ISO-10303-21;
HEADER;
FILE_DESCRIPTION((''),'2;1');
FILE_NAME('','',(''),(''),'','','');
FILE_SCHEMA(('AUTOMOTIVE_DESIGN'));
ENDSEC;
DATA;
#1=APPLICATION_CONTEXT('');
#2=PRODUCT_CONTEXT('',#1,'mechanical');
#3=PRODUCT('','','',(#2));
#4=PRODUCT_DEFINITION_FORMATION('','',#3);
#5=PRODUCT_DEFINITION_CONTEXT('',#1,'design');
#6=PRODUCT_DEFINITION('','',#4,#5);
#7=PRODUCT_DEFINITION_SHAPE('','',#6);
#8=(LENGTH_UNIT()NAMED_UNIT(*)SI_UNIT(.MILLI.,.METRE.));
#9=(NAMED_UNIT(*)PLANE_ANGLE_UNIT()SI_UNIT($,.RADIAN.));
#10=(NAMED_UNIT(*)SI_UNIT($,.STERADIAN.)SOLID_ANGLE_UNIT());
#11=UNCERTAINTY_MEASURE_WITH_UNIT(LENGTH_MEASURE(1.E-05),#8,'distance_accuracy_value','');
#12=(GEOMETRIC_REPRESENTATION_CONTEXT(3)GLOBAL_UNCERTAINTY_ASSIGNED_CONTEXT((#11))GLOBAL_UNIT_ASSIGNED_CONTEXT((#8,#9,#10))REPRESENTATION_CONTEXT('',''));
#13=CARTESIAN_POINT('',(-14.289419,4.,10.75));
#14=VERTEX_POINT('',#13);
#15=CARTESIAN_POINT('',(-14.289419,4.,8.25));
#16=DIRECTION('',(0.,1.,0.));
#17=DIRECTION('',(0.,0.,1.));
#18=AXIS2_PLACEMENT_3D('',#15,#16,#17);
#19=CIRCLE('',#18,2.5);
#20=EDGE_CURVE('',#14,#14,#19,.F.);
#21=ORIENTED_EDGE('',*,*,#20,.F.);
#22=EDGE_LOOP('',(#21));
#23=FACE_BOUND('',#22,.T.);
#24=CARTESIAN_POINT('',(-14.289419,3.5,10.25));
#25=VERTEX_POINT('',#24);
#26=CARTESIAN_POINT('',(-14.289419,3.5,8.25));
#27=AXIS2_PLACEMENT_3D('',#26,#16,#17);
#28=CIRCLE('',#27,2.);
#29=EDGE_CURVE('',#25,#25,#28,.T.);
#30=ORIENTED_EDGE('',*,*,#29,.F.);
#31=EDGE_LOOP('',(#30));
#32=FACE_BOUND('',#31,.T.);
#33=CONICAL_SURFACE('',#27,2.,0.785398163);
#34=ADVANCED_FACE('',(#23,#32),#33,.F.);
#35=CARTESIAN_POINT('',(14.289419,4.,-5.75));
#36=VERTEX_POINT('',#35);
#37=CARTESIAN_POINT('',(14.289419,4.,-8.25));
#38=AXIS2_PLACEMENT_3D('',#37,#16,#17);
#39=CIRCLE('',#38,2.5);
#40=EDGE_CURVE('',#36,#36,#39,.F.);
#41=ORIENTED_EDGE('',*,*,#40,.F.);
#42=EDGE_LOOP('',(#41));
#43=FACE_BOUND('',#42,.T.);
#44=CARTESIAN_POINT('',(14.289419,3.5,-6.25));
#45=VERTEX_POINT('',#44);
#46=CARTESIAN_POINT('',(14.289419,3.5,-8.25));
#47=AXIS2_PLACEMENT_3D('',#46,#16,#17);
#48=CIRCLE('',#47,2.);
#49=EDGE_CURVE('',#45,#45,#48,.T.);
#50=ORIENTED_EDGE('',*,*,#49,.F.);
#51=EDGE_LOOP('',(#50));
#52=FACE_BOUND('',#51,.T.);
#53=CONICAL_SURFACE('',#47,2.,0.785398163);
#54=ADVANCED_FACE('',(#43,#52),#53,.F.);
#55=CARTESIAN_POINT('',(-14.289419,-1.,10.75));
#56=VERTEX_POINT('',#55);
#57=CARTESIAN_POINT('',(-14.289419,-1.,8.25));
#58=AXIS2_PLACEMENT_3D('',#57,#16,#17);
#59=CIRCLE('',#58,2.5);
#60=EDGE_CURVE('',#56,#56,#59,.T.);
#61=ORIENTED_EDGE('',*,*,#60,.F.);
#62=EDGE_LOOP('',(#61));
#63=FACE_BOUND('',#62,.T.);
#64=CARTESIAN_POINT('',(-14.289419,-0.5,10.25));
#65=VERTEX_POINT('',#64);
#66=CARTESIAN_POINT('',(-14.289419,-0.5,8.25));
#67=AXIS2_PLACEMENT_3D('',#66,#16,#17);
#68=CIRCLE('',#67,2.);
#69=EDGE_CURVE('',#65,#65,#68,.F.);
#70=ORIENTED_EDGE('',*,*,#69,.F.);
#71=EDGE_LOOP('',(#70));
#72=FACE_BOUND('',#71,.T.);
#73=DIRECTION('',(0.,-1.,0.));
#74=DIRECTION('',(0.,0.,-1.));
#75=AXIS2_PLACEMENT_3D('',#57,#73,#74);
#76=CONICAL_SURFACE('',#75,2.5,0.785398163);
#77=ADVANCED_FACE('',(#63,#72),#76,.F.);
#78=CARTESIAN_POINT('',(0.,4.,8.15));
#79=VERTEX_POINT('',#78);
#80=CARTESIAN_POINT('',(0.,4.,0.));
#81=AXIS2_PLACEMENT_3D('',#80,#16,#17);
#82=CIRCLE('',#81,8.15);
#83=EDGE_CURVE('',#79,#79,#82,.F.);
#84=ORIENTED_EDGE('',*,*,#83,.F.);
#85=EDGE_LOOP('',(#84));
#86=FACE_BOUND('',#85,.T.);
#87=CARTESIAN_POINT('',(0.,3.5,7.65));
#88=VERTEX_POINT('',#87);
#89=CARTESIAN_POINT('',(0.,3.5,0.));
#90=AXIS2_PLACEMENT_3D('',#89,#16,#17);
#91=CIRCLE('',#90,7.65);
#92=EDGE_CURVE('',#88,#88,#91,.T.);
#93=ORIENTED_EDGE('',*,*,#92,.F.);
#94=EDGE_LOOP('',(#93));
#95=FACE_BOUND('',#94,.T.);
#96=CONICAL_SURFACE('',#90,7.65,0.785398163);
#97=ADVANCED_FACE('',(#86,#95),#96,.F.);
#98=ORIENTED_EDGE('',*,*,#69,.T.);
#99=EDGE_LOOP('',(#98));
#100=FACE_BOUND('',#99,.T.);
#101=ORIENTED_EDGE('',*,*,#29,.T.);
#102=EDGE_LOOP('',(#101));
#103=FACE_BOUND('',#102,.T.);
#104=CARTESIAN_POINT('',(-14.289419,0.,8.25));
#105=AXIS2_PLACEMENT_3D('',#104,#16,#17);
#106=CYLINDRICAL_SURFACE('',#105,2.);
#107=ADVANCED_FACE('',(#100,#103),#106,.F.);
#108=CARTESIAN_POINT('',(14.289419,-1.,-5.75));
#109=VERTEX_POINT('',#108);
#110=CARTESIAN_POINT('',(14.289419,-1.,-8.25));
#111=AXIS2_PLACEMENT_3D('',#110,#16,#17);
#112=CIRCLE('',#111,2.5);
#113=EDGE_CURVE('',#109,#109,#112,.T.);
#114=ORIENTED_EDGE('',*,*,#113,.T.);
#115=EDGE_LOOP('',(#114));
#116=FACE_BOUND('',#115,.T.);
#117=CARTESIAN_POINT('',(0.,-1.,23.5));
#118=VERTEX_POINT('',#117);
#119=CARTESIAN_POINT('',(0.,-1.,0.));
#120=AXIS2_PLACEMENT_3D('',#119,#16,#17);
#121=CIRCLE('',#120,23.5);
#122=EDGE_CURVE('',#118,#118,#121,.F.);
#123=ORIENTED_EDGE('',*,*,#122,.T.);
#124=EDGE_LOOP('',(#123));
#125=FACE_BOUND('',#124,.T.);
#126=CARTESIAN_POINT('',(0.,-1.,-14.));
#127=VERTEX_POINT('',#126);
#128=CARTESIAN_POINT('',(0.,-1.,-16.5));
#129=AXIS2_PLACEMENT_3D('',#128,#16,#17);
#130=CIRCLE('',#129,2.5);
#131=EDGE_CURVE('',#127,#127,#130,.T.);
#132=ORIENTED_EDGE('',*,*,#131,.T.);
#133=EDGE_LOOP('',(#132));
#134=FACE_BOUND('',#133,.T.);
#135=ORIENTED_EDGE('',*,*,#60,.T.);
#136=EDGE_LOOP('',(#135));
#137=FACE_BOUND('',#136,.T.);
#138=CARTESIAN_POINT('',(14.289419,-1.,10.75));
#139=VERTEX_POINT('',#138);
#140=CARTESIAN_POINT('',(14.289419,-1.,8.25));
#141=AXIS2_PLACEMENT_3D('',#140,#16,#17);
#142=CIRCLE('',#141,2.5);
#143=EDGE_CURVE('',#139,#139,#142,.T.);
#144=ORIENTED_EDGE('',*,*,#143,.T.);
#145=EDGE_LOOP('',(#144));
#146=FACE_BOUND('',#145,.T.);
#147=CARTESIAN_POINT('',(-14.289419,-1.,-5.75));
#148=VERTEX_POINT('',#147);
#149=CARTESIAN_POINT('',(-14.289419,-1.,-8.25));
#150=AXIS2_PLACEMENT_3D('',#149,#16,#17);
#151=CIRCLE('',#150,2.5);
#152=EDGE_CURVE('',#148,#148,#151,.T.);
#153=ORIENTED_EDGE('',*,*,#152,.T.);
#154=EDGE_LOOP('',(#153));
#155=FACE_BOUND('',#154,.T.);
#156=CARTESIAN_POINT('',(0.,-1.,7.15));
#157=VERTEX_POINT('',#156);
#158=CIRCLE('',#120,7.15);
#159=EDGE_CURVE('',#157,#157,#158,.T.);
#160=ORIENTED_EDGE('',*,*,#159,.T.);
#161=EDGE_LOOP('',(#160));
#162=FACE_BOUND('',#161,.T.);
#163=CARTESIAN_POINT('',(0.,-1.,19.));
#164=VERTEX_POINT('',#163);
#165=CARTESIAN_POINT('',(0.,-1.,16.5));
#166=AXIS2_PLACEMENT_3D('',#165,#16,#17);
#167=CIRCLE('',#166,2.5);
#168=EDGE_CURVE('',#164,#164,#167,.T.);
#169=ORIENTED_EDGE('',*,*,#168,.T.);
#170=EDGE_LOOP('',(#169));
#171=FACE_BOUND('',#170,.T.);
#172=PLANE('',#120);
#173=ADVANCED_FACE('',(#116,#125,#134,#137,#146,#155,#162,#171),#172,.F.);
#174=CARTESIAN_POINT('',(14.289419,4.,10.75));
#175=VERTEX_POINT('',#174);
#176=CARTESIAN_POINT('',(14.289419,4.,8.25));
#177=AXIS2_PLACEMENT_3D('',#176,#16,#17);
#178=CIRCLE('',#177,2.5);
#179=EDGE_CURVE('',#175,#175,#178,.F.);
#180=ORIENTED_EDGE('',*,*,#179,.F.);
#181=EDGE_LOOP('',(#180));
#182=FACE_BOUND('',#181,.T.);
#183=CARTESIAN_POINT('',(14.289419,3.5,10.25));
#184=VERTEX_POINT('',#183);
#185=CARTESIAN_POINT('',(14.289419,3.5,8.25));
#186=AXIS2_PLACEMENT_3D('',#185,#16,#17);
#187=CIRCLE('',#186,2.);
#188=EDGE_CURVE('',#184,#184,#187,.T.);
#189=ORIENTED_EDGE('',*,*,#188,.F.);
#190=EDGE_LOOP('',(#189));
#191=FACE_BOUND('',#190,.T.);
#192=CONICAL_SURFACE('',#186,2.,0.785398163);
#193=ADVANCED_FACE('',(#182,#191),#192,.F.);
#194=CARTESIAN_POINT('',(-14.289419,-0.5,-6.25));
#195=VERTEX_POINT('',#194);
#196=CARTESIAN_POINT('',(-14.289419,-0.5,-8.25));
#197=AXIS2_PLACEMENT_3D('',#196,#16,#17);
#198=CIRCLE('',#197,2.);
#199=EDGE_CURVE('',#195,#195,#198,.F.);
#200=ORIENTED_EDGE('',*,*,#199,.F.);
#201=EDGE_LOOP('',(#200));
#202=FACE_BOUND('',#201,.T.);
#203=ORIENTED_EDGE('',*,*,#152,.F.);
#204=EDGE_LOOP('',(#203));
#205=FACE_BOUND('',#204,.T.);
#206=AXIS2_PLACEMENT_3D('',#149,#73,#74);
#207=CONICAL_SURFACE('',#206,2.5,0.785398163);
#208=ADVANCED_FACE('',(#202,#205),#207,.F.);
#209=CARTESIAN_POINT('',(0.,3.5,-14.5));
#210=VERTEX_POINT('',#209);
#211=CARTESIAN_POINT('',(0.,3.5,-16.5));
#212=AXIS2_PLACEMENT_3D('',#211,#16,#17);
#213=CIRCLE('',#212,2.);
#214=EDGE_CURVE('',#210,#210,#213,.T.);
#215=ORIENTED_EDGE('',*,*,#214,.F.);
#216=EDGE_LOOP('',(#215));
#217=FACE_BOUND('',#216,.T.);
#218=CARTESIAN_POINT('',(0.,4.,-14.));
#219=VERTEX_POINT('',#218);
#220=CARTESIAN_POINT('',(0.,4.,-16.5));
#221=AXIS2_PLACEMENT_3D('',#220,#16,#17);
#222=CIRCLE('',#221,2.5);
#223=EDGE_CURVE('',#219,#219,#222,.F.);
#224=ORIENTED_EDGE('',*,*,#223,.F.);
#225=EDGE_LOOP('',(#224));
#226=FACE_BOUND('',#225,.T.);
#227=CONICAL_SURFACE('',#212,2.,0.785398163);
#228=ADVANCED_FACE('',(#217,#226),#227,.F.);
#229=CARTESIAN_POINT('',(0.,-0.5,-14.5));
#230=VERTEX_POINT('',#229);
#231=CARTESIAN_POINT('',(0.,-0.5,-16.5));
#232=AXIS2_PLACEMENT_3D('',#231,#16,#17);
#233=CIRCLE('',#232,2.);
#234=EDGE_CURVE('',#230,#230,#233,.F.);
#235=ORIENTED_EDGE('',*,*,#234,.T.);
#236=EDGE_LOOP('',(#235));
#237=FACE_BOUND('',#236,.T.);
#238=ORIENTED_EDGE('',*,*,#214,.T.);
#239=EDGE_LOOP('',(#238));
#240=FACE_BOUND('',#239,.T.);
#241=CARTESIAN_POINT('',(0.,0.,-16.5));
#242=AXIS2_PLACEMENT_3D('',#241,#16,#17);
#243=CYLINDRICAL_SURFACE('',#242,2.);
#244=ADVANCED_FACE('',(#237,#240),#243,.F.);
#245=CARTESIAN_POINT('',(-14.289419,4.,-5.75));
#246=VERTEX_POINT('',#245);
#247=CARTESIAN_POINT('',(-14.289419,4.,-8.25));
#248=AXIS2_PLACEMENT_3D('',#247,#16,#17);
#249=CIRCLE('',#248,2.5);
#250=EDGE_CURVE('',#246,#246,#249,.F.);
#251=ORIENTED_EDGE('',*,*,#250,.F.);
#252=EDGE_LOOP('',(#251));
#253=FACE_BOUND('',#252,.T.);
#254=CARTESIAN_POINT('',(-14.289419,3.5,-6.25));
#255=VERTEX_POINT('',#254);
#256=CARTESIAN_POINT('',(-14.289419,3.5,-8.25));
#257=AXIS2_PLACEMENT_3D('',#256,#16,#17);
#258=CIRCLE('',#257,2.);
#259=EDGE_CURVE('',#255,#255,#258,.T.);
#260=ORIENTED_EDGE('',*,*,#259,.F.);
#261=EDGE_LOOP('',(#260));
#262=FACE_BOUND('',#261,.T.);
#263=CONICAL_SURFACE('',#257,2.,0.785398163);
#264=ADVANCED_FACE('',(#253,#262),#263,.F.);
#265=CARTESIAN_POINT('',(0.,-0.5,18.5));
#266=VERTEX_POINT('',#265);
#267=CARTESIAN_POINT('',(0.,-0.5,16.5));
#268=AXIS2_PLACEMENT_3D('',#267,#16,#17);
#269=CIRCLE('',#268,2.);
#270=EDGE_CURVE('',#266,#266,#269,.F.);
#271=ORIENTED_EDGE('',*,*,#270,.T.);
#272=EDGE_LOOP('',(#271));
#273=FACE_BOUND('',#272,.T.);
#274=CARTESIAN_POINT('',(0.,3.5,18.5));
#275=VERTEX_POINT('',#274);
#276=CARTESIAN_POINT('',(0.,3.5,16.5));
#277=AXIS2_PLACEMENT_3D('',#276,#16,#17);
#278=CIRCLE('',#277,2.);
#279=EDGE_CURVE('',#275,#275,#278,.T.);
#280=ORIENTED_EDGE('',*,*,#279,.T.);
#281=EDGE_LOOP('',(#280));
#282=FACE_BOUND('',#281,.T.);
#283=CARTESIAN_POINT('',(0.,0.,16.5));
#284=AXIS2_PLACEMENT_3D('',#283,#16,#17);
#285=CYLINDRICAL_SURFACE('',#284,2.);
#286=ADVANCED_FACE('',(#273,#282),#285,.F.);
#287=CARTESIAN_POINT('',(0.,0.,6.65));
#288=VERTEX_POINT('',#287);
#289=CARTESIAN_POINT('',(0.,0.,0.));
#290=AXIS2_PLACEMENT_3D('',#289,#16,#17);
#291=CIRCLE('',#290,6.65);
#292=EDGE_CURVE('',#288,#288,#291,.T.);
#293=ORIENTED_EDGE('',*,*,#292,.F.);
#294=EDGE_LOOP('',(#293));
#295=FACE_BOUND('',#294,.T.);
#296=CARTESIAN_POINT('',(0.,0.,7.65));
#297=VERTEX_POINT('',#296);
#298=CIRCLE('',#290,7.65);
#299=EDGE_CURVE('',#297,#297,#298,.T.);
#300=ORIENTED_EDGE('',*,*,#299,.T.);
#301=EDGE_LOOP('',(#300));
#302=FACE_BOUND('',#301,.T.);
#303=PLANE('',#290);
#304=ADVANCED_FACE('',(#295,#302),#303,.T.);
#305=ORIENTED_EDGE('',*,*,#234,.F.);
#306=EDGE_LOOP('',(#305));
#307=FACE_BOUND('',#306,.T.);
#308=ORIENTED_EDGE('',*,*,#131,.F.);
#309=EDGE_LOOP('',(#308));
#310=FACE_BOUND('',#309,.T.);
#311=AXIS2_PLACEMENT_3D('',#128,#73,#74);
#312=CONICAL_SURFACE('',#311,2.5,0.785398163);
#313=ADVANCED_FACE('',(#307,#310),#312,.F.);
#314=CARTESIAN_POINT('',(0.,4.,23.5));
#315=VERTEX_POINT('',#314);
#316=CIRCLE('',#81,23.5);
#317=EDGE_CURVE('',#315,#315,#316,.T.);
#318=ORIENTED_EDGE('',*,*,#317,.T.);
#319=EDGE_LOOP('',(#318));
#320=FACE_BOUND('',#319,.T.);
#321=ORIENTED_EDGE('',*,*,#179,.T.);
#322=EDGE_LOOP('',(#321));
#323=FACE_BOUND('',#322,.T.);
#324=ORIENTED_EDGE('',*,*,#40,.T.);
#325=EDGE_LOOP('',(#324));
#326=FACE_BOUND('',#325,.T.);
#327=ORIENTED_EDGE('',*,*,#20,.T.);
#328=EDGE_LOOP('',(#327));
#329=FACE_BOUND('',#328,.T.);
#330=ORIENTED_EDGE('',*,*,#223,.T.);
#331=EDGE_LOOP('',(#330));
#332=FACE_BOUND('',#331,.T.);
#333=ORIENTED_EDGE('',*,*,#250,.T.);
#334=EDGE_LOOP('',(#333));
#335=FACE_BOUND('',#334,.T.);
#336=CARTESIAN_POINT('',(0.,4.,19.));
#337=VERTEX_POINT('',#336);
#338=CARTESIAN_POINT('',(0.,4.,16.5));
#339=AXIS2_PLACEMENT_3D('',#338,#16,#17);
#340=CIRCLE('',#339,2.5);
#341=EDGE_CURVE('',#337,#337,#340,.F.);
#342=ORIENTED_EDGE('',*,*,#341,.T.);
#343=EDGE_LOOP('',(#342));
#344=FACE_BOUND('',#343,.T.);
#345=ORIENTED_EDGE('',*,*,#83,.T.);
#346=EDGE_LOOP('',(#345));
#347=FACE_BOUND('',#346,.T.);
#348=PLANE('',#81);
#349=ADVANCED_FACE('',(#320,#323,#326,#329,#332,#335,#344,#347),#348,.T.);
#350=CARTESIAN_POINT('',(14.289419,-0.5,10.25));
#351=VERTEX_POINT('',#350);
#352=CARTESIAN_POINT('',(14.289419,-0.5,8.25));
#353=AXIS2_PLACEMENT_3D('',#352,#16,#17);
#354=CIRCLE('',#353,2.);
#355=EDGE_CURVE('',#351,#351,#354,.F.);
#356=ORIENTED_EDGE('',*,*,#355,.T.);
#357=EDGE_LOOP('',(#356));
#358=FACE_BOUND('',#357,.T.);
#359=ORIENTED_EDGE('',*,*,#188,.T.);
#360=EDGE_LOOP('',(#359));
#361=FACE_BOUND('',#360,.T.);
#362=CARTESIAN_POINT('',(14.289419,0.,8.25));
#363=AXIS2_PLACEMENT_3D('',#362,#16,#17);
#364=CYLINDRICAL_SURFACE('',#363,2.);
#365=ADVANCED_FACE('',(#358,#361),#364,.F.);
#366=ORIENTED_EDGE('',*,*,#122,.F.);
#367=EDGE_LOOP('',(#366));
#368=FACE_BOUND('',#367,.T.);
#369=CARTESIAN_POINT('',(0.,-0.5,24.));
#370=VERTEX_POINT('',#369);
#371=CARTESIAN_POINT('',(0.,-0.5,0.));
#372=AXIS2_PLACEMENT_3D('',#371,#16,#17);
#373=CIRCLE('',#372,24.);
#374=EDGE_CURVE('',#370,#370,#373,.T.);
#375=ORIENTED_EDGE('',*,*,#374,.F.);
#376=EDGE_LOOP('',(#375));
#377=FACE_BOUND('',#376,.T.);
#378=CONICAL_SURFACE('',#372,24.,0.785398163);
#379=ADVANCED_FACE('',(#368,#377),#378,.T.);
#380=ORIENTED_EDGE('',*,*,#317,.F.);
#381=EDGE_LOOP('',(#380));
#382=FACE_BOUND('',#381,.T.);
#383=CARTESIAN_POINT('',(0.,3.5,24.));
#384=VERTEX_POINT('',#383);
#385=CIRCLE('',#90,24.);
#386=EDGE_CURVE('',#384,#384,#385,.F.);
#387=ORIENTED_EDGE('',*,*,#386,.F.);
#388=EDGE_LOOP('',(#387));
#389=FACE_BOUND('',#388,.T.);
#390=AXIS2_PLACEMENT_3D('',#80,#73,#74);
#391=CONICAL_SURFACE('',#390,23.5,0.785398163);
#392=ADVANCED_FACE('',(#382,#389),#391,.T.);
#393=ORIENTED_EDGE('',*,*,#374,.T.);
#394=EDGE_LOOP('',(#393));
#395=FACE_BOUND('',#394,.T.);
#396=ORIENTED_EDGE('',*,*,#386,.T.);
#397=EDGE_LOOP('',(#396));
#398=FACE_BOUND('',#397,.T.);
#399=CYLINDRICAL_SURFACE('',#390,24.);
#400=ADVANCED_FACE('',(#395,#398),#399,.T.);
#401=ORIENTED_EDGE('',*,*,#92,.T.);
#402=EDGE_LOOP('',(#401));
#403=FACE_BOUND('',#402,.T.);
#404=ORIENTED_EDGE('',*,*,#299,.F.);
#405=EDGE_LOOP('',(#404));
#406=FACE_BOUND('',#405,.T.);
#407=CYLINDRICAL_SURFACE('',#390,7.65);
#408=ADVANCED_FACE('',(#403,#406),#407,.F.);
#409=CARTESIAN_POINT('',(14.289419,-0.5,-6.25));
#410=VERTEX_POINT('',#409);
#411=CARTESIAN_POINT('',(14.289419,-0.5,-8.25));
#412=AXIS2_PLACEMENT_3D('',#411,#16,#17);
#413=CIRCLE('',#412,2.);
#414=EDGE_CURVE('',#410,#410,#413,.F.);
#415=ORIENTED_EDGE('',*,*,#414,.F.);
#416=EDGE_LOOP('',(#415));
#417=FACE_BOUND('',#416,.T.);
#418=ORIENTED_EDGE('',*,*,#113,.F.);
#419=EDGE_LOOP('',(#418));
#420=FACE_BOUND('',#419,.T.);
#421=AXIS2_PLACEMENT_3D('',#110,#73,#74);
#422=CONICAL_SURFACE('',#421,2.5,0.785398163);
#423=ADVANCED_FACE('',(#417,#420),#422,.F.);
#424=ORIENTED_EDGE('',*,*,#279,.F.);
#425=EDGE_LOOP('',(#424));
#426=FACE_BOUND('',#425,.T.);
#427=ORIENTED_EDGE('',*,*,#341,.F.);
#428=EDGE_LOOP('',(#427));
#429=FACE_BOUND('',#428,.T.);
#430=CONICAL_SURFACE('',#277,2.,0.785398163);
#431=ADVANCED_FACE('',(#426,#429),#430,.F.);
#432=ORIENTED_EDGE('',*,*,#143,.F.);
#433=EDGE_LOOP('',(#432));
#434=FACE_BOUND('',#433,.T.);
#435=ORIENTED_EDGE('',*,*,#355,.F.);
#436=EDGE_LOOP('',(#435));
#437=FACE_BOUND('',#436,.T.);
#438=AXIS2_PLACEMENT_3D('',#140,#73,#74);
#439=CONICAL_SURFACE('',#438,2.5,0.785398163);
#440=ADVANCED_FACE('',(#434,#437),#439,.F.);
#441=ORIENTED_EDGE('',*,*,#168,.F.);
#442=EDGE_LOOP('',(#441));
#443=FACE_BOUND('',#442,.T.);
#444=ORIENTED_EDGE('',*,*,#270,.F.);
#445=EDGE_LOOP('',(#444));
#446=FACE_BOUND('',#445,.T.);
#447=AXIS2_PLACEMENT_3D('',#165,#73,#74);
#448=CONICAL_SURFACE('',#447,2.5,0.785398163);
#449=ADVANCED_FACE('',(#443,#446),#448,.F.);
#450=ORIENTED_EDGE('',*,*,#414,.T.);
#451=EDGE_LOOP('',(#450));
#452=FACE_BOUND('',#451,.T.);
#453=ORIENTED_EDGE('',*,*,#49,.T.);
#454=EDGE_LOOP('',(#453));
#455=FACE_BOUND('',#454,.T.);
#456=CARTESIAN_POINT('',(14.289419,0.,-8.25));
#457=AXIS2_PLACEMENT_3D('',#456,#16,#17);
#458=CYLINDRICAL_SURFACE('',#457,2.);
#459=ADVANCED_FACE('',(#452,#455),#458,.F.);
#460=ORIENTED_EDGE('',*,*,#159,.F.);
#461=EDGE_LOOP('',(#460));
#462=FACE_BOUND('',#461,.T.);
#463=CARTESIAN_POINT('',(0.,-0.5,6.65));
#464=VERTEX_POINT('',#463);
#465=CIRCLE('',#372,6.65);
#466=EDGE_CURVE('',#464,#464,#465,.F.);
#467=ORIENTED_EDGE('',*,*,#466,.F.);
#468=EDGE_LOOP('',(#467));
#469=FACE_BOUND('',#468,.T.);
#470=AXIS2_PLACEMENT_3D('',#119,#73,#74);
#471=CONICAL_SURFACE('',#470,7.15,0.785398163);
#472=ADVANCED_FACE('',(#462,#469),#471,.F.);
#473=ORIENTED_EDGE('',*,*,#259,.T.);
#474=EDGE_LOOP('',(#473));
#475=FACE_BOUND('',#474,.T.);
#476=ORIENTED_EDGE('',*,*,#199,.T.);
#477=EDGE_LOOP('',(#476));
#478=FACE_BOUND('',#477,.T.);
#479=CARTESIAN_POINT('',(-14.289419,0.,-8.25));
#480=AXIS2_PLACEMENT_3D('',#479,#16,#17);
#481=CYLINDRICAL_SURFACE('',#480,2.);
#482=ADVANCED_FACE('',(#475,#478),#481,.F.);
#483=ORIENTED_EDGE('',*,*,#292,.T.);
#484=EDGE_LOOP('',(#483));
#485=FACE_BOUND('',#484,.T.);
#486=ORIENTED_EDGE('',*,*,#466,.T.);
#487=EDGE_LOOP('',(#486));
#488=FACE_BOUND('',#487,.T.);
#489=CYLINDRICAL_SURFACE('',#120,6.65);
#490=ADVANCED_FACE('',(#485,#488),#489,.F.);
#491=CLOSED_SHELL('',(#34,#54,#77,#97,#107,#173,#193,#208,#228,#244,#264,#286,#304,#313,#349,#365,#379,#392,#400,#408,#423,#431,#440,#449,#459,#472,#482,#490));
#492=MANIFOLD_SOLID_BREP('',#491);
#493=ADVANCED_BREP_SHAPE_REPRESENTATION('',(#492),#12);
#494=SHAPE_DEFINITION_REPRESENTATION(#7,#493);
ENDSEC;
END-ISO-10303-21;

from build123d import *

# Parameters (mm, degrees)
SKETCH1_R           = 24
SKETCH1_R_2         = 7.65
BOSS_EXTRUDE1_DEPTH = 4
SKETCH2_R           = 2
CUT_EXTRUDE1_DEPTH  = 5
CIRPATTERN2_COUNT   = 6
SKETCH3_R           = 24
SKETCH3_R_2         = 6.65
SKETCH3_R_3         = 2
BOSS_EXTRUDE2_DEPTH = 1
CHAMFER1_SIZE       = 0.5


with BuildPart() as part:
    # Sketch1 → Boss-Extrude1 (new body)
    with BuildSketch(Plane(origin=(0, 0, 0), x_dir=(1, 0, 0), z_dir=(0, 1, 0))):
        Circle(SKETCH1_R)
        Circle(SKETCH1_R_2, mode=Mode.SUBTRACT)
    extrude(amount=BOSS_EXTRUDE1_DEPTH)

    # Sketch2 → Cut-Extrude1 (cut, through all)
    with BuildSketch(Plane(origin=(0, 4, 0), x_dir=(1, 0, 0), z_dir=(0, 1, 0))):
        with Locations((0, 16.5)):
            Circle(SKETCH2_R)
    cut_extrude1 = extrude(amount=-CUT_EXTRUDE1_DEPTH, mode=Mode.SUBTRACT)

    # CirPattern2: Cut-Extrude1 ×6 about axis
    cirpattern2_axis = Axis((0, 0, 0), (0, 1, 0))
    for i in range(1, CIRPATTERN2_COUNT):
        add(cut_extrude1.rotate(cirpattern2_axis, i * 360 / CIRPATTERN2_COUNT), mode=Mode.SUBTRACT)

    # Sketch3 → Boss-Extrude2 (add)
    with BuildSketch(Plane(origin=(0, 0, 0), x_dir=(1, 0, 0), z_dir=(0, 1, 0))):
        Circle(SKETCH3_R)
        Circle(SKETCH3_R_2, mode=Mode.SUBTRACT)
        with Locations((-14.289419, -8.25)):
            Circle(SKETCH3_R_3, mode=Mode.SUBTRACT)
        with Locations((0, -16.5)):
            Circle(SKETCH3_R_3, mode=Mode.SUBTRACT)
        with Locations((14.289419, -8.25)):
            Circle(SKETCH3_R_3, mode=Mode.SUBTRACT)
        with Locations((14.289419, 8.25)):
            Circle(SKETCH3_R_3, mode=Mode.SUBTRACT)
        with Locations((0, 16.5)):
            Circle(SKETCH3_R_3, mode=Mode.SUBTRACT)
        with Locations((-14.289419, 8.25)):
            Circle(SKETCH3_R_3, mode=Mode.SUBTRACT)
    extrude(amount=-BOSS_EXTRUDE2_DEPTH)

    # Chamfer1
    chamfer1_edges = [part.edges().sort_by_distance(p)[0] for p in [
        (-2, 4, -16.5),
        (13.289419, 4, -9.982051),
        (15.289419, 4, 6.517949),
        (2, 4, 16.5),
        (-13.289419, 4, 9.982051),
        (-15.289419, 4, -6.517949),
        (-24, -1, 0),
        (-16.289419, -1, -8.25),
        (-2, -1, -16.5),
        (12.289419, -1, -8.25),
        (12.289419, -1, 8.25),
        (-2, -1, 16.5),
        (-6.65, -1, 0),
        (-16.289419, -1, 8.25),
        (-24, 4, 0),
        (-7.65, 4, 0),
    ]]
    chamfer(chamfer1_edges, length=CHAMFER1_SIZE)


solid = part.part
